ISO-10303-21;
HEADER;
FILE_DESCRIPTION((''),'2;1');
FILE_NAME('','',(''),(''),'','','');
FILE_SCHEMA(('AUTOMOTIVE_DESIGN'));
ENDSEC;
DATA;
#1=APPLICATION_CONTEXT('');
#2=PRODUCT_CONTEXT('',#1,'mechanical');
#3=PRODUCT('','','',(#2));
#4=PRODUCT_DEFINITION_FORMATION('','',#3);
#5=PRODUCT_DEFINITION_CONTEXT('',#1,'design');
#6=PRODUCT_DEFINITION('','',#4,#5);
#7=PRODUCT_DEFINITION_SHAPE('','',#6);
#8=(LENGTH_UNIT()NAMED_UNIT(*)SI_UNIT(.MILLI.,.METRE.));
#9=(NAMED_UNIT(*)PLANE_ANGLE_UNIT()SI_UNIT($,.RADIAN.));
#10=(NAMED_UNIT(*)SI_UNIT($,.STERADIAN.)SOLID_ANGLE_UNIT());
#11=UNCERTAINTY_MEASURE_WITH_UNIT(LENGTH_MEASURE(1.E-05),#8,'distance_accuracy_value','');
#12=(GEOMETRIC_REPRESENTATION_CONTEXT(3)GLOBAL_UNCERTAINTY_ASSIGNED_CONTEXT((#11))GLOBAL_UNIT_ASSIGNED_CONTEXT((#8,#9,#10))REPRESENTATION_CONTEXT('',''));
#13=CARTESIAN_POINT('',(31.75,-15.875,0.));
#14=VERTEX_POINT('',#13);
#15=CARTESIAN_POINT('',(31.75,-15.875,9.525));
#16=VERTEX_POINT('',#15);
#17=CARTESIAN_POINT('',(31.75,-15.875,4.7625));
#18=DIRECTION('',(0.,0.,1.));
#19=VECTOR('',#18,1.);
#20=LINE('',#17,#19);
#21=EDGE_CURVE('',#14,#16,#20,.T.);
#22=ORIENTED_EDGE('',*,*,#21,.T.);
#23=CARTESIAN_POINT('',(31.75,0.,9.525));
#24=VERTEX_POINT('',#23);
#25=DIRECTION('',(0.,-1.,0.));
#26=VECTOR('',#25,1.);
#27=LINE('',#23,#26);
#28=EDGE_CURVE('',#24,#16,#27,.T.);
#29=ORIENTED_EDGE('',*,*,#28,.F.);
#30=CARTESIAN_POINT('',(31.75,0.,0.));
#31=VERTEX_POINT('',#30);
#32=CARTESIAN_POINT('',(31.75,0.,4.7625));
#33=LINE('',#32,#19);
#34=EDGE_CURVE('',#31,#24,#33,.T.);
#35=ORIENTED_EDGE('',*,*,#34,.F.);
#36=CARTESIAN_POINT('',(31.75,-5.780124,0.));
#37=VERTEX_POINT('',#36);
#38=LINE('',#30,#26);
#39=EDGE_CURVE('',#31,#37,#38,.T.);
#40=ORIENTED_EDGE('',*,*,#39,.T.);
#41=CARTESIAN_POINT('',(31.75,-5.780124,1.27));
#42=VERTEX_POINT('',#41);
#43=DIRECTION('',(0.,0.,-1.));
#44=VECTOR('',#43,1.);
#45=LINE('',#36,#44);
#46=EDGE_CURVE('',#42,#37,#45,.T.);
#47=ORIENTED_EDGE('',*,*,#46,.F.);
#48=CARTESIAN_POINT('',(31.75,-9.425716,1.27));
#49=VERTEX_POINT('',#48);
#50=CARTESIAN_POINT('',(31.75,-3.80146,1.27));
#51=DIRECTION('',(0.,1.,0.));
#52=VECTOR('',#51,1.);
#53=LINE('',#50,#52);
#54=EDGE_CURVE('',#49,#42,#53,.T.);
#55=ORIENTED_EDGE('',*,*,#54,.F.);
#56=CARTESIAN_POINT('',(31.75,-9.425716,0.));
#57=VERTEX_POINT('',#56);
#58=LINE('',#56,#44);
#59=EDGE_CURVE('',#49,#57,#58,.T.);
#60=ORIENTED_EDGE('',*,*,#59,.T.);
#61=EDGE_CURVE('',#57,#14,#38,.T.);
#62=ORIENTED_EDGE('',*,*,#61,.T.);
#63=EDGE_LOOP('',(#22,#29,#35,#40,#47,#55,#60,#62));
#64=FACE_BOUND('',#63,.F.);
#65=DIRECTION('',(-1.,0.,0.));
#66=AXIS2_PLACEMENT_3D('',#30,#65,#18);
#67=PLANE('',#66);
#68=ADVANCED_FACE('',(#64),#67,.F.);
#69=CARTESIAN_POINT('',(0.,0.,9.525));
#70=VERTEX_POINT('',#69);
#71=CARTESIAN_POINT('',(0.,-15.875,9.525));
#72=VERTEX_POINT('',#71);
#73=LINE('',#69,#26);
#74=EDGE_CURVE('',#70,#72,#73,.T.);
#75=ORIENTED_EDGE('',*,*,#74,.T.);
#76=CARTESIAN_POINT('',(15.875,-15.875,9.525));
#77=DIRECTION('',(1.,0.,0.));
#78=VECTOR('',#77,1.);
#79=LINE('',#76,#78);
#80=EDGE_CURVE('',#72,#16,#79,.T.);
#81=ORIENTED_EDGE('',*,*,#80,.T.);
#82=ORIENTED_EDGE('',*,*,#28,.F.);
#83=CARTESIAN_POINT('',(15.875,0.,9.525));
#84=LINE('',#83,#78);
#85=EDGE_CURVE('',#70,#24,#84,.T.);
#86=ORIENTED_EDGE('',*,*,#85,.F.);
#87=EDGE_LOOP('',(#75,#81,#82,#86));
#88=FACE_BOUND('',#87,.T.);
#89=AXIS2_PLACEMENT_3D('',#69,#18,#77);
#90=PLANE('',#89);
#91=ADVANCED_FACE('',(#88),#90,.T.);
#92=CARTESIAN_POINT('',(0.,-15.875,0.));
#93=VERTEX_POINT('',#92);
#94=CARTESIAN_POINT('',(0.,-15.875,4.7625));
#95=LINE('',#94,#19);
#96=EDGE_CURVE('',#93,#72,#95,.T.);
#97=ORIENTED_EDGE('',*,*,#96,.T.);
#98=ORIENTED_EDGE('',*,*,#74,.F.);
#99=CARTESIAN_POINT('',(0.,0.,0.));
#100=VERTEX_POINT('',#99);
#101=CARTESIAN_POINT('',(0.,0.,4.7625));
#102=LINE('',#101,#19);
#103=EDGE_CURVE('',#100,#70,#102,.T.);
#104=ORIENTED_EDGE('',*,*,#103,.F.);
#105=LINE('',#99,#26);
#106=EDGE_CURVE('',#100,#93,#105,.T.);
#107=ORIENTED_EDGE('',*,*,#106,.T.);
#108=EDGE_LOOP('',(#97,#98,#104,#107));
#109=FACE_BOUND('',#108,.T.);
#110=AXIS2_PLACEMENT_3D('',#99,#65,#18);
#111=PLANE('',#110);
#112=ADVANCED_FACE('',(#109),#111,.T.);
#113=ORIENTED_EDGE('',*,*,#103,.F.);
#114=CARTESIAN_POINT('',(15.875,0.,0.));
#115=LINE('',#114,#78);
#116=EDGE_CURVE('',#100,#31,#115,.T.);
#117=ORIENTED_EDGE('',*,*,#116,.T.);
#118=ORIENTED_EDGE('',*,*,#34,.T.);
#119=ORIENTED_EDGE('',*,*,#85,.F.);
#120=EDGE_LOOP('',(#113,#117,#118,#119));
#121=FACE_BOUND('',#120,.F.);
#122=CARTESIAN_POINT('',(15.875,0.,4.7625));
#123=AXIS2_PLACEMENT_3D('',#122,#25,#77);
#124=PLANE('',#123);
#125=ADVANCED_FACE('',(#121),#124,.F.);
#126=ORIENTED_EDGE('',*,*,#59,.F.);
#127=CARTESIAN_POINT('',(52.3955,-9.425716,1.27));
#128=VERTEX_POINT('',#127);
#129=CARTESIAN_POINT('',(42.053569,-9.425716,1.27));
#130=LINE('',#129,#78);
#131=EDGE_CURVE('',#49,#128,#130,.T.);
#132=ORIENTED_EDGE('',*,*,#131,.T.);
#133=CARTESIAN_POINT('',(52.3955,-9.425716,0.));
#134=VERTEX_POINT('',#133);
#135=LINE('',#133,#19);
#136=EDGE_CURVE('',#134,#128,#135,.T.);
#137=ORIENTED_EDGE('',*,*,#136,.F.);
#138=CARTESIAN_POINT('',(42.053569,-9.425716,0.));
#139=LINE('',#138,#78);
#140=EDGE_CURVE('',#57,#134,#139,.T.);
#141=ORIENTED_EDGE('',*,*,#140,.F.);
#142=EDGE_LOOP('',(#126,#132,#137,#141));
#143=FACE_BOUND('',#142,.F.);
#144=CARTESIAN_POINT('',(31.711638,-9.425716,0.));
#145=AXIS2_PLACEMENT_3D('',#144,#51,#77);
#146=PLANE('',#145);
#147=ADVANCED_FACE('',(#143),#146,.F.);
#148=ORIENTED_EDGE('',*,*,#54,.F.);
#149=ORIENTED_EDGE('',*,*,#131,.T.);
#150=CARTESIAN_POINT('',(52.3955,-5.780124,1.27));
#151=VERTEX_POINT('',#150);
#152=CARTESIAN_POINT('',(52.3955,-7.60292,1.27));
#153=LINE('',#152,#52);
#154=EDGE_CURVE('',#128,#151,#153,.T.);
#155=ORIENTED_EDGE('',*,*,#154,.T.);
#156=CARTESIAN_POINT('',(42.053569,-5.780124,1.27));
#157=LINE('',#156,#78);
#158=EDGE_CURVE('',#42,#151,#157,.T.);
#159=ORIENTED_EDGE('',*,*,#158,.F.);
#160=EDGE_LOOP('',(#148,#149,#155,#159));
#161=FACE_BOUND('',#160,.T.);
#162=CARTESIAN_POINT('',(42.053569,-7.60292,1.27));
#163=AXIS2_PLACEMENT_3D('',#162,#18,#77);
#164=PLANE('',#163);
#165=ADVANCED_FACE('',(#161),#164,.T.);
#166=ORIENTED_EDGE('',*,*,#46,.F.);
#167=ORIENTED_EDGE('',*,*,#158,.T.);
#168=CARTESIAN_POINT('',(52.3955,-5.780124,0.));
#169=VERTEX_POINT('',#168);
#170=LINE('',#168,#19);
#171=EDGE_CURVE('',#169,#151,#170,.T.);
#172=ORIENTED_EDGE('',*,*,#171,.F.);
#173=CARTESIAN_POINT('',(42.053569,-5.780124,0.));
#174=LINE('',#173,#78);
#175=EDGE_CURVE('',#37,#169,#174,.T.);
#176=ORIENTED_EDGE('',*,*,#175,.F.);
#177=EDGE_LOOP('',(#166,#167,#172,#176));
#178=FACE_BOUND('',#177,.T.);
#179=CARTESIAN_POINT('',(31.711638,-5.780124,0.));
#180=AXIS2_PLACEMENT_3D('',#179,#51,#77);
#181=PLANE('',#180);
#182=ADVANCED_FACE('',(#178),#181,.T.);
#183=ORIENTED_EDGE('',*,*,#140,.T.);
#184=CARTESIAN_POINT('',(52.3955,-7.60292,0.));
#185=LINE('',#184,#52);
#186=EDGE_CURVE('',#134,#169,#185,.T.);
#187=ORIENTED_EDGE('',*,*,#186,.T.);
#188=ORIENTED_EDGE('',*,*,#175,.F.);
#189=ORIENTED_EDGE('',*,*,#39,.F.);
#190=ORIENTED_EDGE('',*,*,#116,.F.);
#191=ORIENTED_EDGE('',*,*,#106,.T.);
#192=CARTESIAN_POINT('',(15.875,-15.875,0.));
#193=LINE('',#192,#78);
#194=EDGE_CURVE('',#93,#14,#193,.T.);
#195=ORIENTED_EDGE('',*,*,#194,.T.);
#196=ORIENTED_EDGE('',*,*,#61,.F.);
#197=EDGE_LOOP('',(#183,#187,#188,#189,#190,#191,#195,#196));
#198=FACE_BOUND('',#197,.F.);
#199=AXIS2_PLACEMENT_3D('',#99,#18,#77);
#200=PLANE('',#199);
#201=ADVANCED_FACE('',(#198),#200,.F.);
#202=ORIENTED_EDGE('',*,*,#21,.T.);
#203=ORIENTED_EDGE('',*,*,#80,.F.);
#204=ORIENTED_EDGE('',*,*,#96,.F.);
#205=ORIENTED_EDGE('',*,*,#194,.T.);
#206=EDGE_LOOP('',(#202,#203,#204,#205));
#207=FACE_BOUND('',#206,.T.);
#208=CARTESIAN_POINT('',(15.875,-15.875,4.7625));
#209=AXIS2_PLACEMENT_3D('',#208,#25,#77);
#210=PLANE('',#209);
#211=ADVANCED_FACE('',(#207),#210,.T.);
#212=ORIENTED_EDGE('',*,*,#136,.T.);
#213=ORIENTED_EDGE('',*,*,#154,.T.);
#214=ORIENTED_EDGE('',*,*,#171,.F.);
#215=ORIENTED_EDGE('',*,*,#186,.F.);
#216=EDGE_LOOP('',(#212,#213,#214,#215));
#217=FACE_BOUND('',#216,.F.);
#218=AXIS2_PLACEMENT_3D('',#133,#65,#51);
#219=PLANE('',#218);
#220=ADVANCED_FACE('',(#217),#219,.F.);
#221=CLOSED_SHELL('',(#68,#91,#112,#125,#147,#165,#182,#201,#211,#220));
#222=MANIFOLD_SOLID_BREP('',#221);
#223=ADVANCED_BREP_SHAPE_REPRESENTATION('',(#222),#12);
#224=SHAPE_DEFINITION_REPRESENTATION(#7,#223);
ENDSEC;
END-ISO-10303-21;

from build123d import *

# Parameters (mm, degrees)
F0_W     = 31.75
F0_H     = 9.525
F1_DEPTH = 15.875
F2_W     = 20.683862
F2_H     = 3.645592
F3_DEPTH = 1.27


with BuildPart() as f1:
    # F0 (on Front) → F1 (new body)
    with BuildSketch(Plane.XZ):
        with Locations((15.875, 4.7625)):
            Rectangle(F0_W, F0_H)
    extrude(amount=F1_DEPTH)

    # F2 (on Top) → F3 (join)
    with BuildSketch(Plane.XY):
        with Locations((42.053569, -7.60292)):
            Rectangle(F2_W, F2_H)
    extrude(amount=F3_DEPTH)


solid = f1.part
